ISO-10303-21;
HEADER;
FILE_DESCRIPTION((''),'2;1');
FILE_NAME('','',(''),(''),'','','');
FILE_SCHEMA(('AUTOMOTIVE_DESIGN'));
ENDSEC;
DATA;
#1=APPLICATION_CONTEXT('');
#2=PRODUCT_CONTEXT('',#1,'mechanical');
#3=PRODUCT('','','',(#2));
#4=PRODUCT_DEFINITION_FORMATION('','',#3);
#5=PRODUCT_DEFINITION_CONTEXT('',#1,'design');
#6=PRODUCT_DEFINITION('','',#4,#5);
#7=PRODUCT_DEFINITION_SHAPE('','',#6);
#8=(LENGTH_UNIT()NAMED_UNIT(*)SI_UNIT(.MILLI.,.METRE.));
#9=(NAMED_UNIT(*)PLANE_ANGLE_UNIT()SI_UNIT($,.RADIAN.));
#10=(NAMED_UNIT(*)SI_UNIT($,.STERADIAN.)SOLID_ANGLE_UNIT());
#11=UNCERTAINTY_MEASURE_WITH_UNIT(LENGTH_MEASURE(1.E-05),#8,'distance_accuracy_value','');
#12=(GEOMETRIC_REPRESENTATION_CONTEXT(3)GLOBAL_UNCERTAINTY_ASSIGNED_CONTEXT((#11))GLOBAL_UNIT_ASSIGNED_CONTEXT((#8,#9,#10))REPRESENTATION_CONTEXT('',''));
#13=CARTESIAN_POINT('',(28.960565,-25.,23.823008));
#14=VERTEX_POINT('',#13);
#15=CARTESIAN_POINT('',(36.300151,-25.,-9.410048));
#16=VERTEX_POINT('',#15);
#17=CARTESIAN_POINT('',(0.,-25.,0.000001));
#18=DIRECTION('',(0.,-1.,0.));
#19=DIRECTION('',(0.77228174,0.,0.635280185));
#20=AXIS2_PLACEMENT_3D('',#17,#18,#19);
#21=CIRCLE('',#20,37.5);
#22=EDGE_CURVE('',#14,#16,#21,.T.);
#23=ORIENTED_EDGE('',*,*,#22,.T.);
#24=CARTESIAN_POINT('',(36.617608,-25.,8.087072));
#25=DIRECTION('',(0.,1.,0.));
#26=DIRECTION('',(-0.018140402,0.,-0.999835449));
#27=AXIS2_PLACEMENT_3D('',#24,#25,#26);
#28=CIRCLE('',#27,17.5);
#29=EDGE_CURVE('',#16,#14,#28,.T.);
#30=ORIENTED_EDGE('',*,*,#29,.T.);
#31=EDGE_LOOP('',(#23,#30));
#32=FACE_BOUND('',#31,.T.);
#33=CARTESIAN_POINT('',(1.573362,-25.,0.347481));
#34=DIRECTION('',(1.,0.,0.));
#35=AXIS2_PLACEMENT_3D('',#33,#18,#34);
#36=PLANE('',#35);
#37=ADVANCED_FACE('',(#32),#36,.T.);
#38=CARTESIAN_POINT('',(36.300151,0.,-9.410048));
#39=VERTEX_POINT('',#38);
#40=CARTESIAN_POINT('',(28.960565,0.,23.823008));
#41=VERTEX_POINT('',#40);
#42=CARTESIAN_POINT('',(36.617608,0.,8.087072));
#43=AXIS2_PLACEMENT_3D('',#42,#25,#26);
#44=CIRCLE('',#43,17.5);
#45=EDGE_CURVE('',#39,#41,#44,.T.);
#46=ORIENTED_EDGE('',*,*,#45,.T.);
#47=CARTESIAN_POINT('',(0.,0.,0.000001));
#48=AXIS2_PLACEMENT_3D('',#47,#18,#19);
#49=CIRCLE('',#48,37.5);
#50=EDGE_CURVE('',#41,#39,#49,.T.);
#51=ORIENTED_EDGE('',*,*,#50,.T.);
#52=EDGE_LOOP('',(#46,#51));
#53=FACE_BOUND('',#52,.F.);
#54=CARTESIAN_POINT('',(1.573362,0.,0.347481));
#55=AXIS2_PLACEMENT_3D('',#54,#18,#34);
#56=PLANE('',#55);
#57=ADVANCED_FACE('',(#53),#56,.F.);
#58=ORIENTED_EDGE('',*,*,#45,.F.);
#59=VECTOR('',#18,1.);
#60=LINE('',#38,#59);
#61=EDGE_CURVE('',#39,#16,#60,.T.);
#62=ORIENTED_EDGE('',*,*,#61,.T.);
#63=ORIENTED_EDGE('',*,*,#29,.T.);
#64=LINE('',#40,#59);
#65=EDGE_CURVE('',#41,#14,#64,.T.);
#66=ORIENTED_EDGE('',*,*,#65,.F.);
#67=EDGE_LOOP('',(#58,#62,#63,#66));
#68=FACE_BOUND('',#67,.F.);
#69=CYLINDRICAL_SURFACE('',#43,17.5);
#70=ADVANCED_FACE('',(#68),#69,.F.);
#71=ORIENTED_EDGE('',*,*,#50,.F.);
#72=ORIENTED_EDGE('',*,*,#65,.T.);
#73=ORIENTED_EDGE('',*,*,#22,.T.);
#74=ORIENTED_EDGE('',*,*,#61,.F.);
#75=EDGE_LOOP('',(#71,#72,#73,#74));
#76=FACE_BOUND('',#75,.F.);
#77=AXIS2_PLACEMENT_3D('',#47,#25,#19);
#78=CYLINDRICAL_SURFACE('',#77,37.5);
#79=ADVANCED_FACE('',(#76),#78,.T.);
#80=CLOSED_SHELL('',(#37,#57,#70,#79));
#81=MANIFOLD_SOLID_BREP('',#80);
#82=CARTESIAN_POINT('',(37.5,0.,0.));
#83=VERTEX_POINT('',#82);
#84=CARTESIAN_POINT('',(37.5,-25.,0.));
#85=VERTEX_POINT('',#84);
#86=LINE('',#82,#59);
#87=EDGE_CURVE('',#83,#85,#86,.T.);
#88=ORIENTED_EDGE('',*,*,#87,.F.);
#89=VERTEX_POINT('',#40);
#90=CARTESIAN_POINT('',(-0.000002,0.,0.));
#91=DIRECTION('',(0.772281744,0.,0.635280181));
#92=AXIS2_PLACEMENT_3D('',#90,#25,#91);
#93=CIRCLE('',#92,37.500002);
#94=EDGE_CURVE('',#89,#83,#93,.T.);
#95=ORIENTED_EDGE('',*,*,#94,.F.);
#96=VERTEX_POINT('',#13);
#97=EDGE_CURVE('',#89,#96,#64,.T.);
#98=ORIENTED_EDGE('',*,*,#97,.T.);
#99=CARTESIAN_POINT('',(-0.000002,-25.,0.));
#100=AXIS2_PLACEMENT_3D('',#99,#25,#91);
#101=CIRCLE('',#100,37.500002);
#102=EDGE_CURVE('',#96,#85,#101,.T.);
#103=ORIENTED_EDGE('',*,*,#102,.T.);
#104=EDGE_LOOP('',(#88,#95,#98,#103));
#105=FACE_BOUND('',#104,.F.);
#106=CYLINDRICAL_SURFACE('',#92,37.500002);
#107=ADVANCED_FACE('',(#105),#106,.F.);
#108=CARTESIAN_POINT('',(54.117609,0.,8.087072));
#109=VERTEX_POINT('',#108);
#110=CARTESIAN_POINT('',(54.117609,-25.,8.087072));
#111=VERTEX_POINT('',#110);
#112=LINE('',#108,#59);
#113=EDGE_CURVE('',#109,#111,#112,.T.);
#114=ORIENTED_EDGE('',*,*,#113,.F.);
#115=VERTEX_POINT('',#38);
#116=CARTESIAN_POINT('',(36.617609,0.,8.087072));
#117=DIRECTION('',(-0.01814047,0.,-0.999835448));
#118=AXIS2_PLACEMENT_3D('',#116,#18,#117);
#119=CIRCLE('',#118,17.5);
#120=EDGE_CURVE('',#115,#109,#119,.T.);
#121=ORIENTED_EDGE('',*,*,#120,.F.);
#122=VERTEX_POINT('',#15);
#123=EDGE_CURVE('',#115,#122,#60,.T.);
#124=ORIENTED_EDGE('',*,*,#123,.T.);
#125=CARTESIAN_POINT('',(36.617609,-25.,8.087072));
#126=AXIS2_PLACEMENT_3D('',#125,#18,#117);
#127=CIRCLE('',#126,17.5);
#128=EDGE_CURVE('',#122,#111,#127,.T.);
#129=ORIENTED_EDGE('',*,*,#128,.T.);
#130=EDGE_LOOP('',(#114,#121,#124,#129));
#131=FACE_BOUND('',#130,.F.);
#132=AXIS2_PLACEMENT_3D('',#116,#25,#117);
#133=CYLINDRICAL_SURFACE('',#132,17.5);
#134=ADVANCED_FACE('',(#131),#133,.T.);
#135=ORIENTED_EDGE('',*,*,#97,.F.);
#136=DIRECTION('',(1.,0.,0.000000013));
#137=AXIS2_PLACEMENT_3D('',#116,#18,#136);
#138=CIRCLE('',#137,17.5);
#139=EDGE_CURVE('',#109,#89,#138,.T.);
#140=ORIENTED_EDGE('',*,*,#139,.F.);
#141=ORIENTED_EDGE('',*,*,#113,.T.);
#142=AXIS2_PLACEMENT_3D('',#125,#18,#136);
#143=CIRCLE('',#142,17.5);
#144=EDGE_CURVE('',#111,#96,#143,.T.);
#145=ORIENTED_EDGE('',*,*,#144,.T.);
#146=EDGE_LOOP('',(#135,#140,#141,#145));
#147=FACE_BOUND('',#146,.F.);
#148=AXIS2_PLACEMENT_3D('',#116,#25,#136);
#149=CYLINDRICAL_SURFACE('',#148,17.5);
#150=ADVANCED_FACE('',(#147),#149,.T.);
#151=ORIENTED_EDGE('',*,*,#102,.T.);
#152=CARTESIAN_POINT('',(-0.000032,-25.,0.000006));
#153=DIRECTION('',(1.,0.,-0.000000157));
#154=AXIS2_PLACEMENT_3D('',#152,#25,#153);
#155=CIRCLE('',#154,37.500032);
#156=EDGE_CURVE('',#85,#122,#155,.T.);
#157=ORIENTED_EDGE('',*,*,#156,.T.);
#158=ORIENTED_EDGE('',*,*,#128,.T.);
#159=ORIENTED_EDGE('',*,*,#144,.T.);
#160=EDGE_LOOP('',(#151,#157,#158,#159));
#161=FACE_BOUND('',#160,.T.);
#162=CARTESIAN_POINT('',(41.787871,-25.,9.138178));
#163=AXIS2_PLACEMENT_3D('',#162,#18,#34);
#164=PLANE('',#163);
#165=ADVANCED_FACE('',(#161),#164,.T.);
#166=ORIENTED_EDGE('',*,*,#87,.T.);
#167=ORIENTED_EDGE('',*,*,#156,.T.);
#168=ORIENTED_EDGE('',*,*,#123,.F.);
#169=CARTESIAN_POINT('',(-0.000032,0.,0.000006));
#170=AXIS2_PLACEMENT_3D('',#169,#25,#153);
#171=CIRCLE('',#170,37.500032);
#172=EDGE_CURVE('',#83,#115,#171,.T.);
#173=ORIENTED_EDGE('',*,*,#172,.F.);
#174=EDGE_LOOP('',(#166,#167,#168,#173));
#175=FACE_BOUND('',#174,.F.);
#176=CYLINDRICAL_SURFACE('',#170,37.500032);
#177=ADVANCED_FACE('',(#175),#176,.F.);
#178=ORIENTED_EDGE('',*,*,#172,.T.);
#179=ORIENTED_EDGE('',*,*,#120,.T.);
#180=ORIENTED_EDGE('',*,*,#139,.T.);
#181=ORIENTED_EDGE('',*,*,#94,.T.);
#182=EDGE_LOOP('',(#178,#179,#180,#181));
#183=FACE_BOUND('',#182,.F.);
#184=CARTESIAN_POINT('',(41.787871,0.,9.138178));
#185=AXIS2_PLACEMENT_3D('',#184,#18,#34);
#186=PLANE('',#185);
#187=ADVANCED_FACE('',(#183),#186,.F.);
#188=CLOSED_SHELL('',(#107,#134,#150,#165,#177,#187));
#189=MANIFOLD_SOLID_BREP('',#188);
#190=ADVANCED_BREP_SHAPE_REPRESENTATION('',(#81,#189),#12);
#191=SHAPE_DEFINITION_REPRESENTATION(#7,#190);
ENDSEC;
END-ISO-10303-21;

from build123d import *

# Parameters (mm, degrees)
F1_DEPTH = 25


with BuildPart() as f1:
    # F0 (on Front) → F1 (new body)
    with BuildSketch(Plane.XZ):
        with BuildLine():
            ThreePointArc((36.300151, -9.410048), (19.529391, 4.313105), (28.960565, 23.823008))
            ThreePointArc((28.960565, 23.823008), (-36.617609, -8.087072), (36.300151, -9.410048))
        make_face()
        with BuildLine():
            ThreePointArc((28.960565, 23.823008), (35.300646, 12.653632), (37.5, 0))
            ThreePointArc((37.5, 0), (37.198828, -4.743117), (36.300151, -9.410048))
            ThreePointArc((36.300151, -9.410048), (48.879226, -4.39903), (54.117609, 8.087072))
            ThreePointArc((54.117609, 8.087072), (45.898011, 22.923653), (28.960565, 23.823008))
        make_face()
    extrude(amount=F1_DEPTH)


solid = f1.part
